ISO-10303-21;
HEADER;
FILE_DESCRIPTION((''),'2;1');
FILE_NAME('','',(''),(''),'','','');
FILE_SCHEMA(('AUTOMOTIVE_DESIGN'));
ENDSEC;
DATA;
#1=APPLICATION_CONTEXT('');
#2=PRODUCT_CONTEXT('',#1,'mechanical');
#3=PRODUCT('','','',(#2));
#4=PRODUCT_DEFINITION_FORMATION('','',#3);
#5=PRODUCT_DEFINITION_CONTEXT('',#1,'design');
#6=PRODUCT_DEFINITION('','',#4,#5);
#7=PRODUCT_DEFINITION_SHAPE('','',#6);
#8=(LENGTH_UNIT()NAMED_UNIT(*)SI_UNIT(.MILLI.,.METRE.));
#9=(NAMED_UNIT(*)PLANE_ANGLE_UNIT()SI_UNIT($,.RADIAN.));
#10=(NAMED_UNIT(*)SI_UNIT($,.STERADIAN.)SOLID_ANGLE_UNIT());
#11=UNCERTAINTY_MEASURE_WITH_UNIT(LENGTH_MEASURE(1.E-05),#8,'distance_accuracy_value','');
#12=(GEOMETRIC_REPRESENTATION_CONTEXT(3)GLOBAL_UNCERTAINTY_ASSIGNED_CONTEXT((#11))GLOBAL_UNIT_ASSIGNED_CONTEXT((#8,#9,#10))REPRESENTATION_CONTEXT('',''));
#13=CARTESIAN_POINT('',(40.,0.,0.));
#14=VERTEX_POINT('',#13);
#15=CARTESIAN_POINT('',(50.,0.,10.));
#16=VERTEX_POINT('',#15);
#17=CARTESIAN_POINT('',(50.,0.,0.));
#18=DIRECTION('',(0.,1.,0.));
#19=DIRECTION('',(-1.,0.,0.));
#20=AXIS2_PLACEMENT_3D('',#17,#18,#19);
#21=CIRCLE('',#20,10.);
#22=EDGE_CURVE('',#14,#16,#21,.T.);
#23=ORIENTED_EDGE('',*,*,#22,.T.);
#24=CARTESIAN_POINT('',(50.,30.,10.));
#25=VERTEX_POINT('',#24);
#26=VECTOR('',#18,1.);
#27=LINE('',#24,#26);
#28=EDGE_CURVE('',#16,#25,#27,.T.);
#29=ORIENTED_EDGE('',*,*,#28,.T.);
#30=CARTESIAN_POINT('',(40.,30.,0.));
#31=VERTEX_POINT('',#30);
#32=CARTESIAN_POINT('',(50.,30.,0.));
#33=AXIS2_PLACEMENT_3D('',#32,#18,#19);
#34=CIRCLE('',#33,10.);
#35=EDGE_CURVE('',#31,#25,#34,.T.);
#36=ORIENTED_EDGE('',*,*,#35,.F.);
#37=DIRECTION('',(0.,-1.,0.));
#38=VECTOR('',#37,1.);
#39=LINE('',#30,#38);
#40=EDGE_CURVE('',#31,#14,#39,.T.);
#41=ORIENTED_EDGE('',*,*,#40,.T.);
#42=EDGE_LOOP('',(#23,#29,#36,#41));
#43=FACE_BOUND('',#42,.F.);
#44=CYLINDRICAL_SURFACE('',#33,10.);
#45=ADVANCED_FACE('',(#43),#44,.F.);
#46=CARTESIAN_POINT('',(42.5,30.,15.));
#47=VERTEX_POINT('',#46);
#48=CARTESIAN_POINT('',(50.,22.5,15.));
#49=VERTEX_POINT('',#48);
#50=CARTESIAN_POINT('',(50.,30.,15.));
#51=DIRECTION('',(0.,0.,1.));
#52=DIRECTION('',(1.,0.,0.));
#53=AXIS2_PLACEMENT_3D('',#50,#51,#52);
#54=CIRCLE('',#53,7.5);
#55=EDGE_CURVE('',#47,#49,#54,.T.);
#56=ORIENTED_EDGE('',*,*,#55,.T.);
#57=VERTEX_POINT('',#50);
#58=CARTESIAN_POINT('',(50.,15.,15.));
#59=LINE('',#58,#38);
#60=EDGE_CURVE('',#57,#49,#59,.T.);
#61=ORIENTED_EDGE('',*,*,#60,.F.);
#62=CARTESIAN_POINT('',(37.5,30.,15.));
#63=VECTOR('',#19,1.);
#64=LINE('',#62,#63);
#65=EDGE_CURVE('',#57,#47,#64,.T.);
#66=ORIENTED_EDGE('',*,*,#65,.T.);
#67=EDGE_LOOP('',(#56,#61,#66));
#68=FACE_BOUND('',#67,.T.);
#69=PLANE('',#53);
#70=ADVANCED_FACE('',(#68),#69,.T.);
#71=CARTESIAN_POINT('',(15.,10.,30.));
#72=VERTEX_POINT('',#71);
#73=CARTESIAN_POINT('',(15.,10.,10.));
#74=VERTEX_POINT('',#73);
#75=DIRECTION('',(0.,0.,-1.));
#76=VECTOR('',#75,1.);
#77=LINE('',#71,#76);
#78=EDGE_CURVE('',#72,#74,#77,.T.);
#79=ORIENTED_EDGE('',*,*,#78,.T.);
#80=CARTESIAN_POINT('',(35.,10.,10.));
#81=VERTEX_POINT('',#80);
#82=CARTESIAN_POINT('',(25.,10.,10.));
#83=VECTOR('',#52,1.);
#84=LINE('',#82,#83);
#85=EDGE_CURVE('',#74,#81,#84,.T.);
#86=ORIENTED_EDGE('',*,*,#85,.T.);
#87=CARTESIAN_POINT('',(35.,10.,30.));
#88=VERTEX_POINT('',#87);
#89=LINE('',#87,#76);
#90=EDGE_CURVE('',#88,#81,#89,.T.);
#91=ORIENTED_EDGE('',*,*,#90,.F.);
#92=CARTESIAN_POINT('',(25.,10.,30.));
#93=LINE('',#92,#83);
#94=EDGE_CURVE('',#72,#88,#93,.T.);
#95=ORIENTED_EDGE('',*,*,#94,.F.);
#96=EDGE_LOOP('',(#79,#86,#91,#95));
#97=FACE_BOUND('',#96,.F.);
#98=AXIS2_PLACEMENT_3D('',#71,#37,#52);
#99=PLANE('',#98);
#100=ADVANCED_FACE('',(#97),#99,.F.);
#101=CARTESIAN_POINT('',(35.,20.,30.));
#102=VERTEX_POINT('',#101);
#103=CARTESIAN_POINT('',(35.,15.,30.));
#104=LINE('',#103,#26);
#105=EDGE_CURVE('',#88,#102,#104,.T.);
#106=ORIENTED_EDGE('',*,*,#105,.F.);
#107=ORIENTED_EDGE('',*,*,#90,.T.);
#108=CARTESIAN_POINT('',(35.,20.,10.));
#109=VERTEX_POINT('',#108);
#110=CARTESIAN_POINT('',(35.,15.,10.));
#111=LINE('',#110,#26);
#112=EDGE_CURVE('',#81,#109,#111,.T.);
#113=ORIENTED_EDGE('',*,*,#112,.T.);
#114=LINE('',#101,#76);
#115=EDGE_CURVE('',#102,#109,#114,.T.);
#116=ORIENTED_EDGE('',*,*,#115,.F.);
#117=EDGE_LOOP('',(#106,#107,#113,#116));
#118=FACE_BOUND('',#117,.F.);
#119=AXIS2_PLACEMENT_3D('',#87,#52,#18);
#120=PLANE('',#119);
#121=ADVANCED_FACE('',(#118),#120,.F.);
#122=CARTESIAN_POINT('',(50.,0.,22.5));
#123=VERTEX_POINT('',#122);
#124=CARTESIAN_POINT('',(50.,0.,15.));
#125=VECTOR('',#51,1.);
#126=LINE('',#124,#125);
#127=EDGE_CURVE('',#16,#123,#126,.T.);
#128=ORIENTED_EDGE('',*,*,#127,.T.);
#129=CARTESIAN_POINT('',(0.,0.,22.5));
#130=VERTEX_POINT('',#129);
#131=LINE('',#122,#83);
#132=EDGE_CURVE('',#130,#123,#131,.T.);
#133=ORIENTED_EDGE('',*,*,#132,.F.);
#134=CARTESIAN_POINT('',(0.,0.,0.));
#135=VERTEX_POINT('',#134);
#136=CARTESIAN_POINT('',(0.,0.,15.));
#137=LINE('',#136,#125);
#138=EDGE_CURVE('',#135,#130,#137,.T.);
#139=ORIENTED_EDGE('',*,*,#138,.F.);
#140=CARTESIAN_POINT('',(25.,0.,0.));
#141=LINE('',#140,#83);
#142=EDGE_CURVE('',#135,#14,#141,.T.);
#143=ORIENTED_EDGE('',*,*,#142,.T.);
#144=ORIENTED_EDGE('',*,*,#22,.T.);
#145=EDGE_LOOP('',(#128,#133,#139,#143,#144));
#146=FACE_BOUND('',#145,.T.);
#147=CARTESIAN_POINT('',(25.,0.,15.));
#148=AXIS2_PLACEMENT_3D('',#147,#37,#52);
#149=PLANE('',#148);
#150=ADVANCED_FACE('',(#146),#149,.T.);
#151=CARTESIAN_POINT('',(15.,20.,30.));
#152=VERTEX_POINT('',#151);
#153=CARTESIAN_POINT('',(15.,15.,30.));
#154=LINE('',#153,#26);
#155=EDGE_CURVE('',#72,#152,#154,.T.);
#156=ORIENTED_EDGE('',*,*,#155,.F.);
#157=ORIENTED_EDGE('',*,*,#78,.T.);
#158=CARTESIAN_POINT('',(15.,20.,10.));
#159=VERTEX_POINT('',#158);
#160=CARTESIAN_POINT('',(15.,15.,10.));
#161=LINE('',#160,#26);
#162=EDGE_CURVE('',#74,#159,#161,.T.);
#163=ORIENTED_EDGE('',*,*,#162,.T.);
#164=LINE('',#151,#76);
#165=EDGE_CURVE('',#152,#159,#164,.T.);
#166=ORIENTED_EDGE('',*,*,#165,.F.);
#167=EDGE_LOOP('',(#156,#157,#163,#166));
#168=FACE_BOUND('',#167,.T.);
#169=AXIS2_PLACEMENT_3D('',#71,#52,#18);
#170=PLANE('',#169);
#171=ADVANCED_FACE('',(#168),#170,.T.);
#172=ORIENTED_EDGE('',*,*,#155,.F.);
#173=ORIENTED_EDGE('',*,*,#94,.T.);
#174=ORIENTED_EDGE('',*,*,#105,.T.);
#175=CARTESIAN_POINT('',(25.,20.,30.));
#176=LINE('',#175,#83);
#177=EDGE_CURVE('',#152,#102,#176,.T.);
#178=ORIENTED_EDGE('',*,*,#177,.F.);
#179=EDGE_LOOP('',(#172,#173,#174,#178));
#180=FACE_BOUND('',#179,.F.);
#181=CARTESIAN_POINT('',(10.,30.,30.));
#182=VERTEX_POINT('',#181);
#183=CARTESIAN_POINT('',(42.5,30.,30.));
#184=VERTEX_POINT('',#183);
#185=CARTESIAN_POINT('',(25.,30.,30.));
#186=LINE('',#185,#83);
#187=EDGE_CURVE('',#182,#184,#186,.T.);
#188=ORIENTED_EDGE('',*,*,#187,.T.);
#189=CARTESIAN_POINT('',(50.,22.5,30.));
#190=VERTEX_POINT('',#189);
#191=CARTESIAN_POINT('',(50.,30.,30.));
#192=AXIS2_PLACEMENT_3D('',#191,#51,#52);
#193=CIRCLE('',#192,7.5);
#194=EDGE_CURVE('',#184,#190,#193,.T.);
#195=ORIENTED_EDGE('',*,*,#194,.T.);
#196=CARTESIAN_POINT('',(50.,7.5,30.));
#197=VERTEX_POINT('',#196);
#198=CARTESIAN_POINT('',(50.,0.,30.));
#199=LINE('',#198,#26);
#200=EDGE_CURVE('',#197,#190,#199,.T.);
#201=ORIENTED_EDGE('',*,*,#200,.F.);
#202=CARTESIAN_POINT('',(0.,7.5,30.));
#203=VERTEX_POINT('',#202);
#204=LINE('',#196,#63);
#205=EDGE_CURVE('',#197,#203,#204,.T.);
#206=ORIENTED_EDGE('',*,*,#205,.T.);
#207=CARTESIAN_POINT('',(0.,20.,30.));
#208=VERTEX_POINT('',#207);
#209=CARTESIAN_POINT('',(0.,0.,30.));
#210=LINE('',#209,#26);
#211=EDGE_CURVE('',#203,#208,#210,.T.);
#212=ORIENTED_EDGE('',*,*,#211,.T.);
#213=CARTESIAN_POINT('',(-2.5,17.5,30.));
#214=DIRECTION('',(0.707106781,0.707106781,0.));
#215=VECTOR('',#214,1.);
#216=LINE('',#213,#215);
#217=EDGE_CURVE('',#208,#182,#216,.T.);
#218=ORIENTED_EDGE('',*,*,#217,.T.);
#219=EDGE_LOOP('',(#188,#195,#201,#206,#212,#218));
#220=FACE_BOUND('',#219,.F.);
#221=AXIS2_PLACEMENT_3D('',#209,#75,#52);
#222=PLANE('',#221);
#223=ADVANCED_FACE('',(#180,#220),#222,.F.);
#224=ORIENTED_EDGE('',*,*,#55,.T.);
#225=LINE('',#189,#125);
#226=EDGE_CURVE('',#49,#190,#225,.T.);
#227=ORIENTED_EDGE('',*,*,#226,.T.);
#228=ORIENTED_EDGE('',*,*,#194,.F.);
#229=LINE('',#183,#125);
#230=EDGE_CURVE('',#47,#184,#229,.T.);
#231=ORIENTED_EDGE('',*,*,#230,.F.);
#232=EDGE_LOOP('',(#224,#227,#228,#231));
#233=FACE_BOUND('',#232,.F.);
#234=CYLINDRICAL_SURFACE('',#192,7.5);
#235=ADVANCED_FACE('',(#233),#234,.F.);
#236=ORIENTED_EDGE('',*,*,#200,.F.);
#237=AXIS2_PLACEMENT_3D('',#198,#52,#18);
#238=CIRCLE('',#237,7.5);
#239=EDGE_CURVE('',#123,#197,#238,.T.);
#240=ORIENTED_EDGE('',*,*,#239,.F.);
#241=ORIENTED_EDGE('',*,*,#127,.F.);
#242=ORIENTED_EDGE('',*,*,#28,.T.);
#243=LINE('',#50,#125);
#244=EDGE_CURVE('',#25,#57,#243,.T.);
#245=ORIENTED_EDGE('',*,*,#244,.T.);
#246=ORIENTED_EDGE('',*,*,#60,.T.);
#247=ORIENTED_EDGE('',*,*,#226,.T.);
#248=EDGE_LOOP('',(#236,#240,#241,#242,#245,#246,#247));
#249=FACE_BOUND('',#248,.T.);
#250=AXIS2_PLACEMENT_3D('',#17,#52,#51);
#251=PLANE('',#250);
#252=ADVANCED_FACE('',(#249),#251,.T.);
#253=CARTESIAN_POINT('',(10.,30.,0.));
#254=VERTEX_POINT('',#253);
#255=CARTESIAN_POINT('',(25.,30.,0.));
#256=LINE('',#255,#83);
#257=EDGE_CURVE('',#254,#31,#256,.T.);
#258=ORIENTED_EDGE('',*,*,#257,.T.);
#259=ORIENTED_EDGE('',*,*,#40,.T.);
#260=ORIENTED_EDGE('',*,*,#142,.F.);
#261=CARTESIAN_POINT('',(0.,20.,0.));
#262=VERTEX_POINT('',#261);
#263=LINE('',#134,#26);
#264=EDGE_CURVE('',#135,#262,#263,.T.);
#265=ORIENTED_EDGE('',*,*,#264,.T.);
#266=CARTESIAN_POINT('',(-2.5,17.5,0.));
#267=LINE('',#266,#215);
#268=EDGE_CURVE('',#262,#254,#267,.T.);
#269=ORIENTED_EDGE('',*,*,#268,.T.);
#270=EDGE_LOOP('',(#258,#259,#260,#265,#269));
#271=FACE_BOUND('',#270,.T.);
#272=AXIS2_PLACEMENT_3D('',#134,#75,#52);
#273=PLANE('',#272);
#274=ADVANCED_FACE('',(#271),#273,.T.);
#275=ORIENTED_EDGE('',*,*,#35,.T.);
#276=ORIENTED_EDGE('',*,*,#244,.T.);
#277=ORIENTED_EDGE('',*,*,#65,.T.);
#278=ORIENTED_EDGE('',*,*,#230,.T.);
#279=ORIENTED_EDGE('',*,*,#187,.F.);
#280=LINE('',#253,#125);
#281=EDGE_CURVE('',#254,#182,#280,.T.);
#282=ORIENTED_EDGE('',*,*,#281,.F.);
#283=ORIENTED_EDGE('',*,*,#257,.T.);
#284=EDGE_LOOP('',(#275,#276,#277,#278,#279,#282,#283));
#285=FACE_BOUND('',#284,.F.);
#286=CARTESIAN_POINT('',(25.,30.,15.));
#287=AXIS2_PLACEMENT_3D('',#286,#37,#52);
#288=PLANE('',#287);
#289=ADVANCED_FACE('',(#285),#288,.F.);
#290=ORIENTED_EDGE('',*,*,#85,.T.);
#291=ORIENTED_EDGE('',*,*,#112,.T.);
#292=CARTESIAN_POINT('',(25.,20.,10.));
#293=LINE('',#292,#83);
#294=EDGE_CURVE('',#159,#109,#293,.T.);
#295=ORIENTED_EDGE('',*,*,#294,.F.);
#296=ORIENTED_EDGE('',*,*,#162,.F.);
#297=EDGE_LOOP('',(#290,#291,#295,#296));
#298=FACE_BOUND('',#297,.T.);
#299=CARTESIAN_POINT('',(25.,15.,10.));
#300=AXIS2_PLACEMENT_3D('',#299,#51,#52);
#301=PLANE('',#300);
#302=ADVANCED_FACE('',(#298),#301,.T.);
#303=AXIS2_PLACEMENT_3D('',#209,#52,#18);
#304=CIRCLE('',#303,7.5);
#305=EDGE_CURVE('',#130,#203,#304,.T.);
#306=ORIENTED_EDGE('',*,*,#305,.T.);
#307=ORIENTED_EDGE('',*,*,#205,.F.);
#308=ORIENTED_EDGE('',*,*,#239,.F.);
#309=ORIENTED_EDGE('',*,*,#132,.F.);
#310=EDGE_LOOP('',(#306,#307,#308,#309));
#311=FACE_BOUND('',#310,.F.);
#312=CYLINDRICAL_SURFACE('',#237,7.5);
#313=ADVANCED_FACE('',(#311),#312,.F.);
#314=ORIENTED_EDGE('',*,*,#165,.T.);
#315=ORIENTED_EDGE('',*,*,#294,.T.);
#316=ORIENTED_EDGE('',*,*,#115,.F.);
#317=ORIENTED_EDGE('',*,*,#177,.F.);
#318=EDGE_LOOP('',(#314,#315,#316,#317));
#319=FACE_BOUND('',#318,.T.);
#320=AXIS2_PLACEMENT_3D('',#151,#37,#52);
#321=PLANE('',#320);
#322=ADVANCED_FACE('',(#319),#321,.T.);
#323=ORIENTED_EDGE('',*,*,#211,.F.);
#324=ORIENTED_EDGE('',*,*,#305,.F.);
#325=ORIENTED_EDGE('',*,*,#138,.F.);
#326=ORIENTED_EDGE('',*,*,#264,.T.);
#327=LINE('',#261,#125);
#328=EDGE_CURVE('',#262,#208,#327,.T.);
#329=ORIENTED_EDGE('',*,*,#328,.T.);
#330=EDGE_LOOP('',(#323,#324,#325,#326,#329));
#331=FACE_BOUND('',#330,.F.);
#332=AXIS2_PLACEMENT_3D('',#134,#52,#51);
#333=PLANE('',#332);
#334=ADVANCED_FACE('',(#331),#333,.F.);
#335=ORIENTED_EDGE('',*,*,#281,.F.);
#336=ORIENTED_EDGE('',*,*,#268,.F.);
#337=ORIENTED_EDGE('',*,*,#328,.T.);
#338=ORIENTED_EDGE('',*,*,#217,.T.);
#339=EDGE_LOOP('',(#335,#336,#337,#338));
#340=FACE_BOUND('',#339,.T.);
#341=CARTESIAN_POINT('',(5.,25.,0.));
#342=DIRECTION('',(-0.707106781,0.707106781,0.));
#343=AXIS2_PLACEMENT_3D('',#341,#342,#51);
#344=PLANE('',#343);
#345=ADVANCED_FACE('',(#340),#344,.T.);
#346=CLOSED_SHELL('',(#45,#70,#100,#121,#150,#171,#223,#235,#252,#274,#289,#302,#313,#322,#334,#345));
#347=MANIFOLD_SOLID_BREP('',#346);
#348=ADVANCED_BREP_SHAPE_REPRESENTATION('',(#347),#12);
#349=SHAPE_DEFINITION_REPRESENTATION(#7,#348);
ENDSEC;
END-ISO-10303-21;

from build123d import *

# Parameters (mm, degrees)
F0_W      = 50
F0_H      = 30
F1_DEPTH  = 30
F2_W      = 20
F2_H      = 10
F3_DEPTH  = 20
F4_SIZE   = 10
F5_R      = 7.5
F6_DEPTH  = 15
F7_R      = 7.5
F8_DEPTH  = 50
F9_R      = 10
F10_DEPTH = 30


with BuildPart() as f1:
    # F0 (on Front) → F1 (new body)
    with BuildSketch(Plane.XZ):
        with Locations((25, 15)):
            Rectangle(F0_W, F0_H)
    extrude(amount=-F1_DEPTH)

    # F2 (on face) → F3 (cut)
    with BuildSketch(Plane.XY.offset(30)):
        with Locations((25, 15)):
            Rectangle(F2_W, F2_H)
    extrude(amount=-F3_DEPTH, mode=Mode.SUBTRACT)

    # F4
    f4_edges = [f1.edges().sort_by_distance(p)[0] for p in [
        (0, 30, 15),
    ]]
    chamfer(f4_edges, length=F4_SIZE)

    # F5 (on face) → F6 (cut)
    with BuildSketch(Plane.XY.offset(30)):
        with Locations((50, 30)):
            Circle(F5_R)
    extrude(amount=-F6_DEPTH, mode=Mode.SUBTRACT)

    # F7 (on face) → F8 (cut, through all)
    with BuildSketch(Plane.YZ.offset(50)):
        with Locations((0, 30)):
            Circle(F7_R)
    extrude(amount=-F8_DEPTH, mode=Mode.SUBTRACT)

    # F9 (on face) → F10 (cut, through all)
    with BuildSketch(Plane(origin=(0, 30, 0), x_dir=(-1, 0, 0), z_dir=(0, 1, 0))):
        with Locations((-50, 0)):
            Circle(F9_R)
    extrude(amount=-F10_DEPTH, mode=Mode.SUBTRACT)


solid = f1.part
